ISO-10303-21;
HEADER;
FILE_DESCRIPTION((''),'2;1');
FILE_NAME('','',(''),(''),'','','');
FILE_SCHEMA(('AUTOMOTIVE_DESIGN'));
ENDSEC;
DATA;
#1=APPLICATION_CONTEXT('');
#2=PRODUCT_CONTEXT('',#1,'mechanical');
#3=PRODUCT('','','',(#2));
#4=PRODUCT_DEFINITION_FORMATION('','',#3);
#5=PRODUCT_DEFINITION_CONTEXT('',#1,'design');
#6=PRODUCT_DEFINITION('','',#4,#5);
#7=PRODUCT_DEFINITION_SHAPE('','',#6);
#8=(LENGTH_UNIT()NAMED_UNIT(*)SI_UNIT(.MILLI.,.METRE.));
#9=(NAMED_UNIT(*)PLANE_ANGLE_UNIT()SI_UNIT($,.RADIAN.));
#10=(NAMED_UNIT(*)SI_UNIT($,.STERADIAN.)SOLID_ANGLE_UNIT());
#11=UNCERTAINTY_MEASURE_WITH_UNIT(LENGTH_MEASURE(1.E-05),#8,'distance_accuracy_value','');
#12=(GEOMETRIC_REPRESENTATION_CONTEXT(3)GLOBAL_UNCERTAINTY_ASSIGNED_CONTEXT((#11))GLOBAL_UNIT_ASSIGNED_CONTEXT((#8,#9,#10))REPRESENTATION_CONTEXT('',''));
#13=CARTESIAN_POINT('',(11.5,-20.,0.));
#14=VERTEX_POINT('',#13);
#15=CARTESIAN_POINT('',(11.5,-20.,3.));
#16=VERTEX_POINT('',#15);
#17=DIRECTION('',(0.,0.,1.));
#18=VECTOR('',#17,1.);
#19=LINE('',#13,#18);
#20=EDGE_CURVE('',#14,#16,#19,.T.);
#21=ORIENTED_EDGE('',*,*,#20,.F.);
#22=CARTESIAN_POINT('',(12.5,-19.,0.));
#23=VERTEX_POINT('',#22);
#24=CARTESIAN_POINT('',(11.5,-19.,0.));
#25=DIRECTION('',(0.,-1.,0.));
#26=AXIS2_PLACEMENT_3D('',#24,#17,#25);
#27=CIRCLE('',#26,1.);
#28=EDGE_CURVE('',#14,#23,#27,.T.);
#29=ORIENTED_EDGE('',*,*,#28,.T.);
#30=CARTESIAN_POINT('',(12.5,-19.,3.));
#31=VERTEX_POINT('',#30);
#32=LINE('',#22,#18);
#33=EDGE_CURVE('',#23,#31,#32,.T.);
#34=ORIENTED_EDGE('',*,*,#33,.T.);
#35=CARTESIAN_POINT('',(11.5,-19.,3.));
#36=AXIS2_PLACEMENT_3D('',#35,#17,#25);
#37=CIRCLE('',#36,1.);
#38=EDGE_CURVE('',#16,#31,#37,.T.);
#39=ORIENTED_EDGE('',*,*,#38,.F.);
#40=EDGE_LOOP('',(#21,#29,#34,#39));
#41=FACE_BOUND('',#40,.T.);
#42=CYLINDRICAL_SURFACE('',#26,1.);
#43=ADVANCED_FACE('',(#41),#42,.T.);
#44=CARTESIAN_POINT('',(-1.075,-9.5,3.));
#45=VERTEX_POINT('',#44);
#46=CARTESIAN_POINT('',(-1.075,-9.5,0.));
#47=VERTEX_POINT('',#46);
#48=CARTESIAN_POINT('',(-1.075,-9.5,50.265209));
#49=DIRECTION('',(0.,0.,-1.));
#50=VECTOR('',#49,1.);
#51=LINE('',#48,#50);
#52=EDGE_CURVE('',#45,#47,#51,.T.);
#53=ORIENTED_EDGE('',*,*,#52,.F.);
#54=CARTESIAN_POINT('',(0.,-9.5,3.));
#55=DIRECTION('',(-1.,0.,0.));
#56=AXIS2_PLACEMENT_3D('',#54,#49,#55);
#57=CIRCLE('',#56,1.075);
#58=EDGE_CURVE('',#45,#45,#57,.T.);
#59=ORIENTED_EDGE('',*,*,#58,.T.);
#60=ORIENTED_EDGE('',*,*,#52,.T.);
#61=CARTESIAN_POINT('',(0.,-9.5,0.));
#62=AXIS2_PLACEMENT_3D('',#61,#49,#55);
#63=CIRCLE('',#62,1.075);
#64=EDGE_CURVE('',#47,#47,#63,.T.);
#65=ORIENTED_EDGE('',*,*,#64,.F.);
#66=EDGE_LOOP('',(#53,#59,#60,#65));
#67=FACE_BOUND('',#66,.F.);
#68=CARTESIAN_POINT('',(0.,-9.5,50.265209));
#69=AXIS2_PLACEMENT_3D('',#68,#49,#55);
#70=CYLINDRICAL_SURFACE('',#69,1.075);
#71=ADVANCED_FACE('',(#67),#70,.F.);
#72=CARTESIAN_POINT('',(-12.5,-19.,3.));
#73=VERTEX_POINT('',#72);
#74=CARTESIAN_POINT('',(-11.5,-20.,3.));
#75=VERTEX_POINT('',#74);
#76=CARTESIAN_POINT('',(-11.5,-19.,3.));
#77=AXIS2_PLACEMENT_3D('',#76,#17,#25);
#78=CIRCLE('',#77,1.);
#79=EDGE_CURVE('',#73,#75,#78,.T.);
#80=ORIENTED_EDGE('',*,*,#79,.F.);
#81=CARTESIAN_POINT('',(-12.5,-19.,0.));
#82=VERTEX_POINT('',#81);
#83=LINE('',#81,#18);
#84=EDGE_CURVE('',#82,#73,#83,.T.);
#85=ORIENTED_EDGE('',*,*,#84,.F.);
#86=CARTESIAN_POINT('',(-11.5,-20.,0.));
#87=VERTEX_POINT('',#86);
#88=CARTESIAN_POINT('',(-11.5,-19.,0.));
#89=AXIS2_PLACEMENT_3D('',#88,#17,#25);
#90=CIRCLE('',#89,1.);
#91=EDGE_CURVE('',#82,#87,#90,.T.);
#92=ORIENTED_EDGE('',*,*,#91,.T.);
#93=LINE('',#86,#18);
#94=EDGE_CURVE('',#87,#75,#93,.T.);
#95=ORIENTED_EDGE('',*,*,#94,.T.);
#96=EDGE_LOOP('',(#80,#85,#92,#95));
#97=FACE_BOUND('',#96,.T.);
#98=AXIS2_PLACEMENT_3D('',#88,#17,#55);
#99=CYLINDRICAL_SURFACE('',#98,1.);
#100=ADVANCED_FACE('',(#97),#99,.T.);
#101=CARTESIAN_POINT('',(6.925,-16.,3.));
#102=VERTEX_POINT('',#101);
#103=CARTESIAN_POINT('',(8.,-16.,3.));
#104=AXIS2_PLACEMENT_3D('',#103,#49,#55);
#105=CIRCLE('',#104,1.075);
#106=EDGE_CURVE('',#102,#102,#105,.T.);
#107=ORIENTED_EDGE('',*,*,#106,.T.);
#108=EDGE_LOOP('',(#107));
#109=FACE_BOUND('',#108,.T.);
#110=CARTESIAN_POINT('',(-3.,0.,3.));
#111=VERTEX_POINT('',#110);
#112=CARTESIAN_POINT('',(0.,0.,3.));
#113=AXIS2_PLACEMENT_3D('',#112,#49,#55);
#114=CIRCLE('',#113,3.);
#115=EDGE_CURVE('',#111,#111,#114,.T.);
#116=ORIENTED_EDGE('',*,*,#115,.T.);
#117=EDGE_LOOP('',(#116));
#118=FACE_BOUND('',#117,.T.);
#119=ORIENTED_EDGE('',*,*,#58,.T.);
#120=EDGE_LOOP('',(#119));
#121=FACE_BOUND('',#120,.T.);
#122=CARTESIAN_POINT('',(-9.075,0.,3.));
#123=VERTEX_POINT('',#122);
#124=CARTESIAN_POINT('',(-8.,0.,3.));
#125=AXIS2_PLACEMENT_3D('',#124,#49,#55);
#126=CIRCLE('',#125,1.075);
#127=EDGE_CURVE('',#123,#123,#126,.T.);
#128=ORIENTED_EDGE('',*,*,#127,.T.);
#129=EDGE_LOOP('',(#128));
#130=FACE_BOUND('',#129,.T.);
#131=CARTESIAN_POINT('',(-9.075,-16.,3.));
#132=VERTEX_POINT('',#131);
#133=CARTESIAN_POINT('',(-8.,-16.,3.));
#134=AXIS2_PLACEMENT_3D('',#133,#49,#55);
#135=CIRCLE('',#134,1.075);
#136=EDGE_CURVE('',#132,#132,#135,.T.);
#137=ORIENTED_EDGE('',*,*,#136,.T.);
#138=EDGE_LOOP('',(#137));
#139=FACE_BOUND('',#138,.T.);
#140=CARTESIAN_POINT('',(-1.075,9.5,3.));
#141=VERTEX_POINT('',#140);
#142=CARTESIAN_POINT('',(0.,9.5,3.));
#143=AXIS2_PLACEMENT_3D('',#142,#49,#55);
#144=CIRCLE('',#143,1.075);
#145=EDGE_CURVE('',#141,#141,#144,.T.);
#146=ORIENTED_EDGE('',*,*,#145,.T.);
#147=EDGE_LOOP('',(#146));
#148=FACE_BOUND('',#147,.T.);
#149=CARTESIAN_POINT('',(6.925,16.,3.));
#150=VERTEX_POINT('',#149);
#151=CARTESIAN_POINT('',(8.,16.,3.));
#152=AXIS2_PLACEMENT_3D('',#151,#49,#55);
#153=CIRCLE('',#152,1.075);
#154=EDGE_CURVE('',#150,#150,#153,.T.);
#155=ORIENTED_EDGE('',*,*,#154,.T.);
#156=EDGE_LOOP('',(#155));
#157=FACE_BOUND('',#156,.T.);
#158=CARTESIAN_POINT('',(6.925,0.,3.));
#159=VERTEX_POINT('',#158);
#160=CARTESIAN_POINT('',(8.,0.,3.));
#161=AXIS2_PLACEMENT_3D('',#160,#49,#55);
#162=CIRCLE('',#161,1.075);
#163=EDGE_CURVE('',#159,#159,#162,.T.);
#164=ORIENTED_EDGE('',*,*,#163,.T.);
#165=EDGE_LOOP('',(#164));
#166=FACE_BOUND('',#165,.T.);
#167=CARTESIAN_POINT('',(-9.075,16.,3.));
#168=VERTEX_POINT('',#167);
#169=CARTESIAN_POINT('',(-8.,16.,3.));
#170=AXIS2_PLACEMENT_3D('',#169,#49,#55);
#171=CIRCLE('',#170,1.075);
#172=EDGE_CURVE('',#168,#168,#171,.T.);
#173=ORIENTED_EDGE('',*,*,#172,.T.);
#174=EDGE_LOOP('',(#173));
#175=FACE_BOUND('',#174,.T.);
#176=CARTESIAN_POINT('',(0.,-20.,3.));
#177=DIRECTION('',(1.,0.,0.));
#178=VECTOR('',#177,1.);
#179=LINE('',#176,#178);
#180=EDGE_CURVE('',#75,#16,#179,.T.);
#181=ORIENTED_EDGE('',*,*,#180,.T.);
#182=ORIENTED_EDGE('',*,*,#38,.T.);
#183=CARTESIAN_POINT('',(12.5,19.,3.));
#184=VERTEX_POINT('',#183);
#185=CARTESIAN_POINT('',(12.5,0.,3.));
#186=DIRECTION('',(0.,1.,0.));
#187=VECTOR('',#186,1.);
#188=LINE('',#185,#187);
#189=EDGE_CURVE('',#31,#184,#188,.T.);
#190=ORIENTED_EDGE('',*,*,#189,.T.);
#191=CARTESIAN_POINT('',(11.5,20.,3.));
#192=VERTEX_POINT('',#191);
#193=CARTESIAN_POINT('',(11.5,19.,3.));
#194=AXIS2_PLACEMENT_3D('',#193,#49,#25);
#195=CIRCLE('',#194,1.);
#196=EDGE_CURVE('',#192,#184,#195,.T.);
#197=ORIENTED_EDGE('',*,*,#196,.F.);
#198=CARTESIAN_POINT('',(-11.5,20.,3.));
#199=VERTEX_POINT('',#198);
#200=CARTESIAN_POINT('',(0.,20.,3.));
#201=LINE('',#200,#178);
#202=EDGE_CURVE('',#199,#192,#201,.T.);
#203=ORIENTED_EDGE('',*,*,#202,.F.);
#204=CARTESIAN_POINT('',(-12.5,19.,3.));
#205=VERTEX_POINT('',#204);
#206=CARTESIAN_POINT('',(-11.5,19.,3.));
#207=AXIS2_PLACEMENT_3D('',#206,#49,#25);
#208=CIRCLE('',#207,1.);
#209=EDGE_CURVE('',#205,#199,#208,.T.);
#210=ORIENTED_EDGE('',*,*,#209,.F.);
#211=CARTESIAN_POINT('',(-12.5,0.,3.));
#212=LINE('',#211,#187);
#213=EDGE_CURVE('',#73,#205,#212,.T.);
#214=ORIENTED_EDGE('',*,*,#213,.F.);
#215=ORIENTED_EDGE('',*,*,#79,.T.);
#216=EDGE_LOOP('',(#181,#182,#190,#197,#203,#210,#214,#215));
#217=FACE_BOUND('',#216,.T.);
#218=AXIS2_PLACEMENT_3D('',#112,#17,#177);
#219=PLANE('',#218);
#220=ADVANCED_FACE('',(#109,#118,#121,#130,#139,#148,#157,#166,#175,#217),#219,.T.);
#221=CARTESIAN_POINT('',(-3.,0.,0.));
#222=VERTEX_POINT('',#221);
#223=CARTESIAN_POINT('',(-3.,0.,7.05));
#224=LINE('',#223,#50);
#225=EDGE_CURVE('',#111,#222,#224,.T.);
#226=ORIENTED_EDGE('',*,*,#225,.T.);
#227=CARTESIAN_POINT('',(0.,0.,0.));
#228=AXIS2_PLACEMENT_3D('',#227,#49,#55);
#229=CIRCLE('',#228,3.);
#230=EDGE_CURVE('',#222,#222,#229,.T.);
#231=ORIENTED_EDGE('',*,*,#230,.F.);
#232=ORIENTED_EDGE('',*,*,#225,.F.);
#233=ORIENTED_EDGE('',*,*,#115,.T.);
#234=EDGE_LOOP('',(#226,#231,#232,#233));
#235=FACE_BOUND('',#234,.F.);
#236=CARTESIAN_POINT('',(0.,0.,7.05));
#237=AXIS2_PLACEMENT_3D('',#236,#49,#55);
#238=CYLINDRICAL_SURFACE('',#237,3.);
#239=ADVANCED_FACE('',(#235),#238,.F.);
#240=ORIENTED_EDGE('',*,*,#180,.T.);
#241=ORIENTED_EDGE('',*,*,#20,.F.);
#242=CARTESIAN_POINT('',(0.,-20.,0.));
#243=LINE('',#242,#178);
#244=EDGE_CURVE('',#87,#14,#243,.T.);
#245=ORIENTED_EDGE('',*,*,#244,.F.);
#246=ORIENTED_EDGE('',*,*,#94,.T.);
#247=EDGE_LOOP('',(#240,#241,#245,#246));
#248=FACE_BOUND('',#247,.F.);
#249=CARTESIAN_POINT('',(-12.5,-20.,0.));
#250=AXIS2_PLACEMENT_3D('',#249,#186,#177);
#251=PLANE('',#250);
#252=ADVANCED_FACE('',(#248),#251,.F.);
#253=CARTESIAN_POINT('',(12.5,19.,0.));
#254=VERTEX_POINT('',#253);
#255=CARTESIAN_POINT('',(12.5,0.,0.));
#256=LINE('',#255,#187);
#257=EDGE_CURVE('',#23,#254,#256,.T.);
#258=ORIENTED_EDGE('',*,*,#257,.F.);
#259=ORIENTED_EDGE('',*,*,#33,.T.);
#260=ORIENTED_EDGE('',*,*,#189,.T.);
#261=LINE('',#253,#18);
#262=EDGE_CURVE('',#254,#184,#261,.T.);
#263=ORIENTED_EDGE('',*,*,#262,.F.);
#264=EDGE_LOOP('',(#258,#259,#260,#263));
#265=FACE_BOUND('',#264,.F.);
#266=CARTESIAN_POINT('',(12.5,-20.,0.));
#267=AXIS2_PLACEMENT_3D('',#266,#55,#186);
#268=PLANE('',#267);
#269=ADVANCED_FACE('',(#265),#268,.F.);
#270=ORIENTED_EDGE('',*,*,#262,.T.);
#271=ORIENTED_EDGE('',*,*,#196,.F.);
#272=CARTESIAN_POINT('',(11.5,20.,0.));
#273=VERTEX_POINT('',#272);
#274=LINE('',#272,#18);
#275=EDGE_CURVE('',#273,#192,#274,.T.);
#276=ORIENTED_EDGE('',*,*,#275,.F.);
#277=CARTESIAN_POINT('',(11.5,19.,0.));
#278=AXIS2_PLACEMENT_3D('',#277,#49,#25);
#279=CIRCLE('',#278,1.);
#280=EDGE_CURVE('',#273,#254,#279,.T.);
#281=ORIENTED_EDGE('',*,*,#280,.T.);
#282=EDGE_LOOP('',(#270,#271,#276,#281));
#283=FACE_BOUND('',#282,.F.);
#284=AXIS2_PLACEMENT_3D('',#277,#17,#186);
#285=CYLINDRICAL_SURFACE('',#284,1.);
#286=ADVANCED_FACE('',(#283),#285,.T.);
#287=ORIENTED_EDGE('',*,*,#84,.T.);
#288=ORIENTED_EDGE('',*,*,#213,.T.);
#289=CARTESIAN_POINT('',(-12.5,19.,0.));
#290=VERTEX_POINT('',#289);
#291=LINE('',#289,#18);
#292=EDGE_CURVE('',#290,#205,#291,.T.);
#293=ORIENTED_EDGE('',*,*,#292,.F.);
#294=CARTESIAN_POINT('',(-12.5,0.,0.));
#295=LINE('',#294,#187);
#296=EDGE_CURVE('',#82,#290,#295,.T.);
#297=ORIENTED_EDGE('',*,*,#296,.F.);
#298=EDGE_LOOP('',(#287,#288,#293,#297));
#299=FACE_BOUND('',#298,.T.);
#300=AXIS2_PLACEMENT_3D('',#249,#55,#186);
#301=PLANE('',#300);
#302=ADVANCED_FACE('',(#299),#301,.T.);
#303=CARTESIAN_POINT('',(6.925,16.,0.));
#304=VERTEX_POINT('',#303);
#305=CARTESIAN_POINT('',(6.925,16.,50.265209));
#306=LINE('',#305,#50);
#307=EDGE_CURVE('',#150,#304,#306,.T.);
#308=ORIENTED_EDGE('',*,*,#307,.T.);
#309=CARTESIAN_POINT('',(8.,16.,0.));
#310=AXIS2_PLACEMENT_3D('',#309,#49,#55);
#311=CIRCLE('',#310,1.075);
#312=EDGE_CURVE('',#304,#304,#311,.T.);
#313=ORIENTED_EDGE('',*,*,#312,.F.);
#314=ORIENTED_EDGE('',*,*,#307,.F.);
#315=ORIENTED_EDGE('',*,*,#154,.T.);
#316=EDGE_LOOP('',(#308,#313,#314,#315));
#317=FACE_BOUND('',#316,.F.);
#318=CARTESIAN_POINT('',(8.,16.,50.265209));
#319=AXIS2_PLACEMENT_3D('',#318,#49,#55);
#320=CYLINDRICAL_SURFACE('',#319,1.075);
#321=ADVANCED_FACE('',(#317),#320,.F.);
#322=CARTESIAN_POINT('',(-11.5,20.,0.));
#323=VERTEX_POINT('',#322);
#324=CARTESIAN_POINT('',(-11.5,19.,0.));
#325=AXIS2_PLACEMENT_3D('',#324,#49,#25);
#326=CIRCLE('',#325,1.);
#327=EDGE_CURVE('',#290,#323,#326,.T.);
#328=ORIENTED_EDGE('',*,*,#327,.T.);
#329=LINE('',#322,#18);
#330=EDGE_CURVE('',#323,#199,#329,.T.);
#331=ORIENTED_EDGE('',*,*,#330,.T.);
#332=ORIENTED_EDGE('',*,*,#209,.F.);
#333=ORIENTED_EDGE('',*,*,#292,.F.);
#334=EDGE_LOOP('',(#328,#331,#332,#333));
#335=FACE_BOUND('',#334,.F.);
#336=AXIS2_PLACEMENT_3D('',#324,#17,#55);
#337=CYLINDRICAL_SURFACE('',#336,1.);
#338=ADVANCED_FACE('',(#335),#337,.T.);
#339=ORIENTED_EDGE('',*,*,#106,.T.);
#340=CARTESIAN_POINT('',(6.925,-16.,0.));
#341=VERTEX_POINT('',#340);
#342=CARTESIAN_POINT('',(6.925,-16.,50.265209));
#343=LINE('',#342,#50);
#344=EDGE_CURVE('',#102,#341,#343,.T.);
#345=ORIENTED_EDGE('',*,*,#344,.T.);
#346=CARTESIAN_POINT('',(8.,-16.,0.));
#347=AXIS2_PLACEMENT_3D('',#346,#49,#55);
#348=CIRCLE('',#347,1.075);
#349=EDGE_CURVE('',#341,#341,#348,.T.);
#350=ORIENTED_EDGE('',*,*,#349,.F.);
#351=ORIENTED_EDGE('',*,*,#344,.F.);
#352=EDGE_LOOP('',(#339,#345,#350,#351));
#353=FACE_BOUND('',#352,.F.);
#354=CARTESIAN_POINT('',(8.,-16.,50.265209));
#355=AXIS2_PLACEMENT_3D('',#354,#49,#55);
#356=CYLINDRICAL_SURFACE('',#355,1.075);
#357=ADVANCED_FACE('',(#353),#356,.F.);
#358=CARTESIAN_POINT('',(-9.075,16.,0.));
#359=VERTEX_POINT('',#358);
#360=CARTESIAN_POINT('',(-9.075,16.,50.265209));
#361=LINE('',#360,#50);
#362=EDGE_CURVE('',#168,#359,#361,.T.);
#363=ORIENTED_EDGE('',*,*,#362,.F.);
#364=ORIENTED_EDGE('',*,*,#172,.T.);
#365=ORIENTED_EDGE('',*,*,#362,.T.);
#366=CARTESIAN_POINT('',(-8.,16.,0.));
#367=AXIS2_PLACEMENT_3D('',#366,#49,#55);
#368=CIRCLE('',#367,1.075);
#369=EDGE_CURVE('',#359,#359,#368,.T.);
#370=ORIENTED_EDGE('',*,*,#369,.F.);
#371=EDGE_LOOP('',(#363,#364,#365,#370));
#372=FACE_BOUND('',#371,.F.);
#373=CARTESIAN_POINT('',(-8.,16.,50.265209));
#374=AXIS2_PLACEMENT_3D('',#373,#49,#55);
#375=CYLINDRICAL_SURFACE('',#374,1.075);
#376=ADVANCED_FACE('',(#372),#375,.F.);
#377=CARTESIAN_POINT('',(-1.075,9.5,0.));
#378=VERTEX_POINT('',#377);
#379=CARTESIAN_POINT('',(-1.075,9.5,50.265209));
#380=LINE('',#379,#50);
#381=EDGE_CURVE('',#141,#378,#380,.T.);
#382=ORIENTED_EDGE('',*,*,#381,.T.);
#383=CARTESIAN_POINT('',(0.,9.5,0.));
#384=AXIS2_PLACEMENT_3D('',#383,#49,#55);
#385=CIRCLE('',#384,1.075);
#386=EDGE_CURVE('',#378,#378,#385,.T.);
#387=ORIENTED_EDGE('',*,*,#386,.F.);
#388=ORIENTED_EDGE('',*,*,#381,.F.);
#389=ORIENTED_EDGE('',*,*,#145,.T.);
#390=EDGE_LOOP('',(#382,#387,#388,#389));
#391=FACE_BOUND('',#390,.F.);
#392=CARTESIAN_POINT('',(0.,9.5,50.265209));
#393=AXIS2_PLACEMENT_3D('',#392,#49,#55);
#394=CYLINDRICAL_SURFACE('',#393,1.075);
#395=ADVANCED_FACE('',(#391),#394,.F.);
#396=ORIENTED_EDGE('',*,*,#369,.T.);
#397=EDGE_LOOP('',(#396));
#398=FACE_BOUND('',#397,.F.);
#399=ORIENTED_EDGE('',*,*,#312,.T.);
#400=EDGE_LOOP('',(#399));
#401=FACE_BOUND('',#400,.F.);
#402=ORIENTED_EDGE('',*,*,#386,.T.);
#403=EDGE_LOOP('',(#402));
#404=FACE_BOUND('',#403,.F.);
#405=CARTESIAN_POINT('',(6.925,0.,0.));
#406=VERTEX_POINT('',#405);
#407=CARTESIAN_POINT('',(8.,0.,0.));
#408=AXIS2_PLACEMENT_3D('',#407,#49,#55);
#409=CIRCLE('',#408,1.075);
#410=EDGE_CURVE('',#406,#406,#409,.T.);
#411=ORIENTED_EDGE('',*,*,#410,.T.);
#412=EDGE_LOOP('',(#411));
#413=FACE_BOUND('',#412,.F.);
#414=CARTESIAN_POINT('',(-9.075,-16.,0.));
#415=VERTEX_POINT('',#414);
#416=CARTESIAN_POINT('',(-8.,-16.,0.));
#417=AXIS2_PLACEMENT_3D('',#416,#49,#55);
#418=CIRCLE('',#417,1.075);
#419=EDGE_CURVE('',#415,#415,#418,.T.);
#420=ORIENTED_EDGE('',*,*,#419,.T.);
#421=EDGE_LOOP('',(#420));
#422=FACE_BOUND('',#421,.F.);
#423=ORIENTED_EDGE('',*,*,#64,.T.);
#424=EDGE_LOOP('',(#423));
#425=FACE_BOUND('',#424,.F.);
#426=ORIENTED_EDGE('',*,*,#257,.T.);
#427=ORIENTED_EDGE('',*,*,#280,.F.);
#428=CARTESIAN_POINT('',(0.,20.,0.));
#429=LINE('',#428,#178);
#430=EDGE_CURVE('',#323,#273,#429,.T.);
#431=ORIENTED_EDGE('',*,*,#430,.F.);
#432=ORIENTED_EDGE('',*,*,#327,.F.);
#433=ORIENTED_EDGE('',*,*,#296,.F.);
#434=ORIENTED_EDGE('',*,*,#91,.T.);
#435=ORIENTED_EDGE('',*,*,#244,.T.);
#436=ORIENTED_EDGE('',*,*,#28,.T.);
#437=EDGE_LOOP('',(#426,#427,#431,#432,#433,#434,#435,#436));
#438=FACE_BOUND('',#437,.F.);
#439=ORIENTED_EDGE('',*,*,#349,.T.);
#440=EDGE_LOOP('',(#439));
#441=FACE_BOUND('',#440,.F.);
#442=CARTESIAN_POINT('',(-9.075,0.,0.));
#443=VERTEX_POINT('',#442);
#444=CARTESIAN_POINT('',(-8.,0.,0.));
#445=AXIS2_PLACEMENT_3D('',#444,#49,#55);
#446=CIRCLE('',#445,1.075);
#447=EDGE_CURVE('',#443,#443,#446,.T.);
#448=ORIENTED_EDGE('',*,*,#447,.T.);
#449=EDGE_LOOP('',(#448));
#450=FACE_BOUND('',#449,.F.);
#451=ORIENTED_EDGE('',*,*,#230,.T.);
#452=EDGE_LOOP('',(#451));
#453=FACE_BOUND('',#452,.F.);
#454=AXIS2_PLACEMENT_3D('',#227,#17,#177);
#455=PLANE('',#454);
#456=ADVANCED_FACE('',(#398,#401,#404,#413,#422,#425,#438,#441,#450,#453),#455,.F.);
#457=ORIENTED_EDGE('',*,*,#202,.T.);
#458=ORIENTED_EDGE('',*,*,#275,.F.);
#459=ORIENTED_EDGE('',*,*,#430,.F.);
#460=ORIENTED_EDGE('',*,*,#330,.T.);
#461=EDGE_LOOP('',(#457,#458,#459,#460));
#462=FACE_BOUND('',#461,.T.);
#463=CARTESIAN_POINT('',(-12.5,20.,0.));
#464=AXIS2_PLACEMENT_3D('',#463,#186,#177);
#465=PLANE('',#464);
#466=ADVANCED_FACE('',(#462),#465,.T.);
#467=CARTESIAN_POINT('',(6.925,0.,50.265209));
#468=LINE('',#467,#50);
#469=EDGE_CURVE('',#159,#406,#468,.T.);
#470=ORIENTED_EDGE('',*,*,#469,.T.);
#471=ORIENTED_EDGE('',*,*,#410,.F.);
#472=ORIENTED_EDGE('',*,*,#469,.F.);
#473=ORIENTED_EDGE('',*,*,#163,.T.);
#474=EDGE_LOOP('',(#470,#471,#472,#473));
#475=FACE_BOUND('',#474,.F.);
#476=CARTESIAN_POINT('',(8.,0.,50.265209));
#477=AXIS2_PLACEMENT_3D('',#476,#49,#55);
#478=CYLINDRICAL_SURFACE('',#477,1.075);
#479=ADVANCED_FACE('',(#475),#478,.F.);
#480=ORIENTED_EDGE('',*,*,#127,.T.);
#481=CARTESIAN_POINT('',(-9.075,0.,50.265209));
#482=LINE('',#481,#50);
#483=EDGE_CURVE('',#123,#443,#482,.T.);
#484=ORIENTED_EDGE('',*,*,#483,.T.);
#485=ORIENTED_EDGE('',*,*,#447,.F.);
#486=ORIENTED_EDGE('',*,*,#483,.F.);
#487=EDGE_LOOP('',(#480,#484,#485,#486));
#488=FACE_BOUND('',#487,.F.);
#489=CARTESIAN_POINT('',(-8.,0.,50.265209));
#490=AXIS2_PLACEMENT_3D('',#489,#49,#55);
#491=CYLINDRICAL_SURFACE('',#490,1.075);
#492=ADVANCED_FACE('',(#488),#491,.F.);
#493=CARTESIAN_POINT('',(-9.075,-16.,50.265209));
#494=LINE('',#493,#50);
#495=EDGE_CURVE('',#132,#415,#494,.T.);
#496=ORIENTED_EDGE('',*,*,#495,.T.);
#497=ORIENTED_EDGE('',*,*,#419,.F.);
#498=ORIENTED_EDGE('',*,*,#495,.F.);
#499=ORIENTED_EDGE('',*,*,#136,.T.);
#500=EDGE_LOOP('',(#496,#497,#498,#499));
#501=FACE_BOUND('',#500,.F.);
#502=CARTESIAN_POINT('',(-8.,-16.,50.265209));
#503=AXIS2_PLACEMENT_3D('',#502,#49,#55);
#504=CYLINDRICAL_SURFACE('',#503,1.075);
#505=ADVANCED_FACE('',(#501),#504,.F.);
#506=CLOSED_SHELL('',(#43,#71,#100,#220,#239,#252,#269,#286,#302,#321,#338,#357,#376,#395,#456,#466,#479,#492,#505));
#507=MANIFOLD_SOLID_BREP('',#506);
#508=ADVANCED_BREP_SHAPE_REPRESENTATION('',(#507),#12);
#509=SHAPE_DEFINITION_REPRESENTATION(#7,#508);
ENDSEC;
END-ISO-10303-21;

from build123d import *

# Parameters (mm, degrees)
F0_W     = 25
F0_H     = 40
F1_DEPTH = 3
F3_D     = 2.15
F4_R     = 1
F6_D     = 6
F6_DEPTH = 4.05
F6_TIP   = 1.8025818571


with BuildPart() as f1:
    # F0 (on Top) → F1 (new body)
    with BuildSketch(Plane.XY):
        Rectangle(F0_W, F0_H)
    extrude(amount=F1_DEPTH)

    # F3 (through all)
    with Locations(Plane.XY.offset(3)):
        with Locations((0, 9.5), (0, -9.5), (8, 0), (-8, 0), (8, 16), (-8, 16), (-8, -16), (8, -16)):
            Hole(F3_D / 2)

    # F4
    f4_edges = [f1.edges().sort_by_distance(p)[0] for p in [
        (12.5, -20, 1.5),
        (-12.5, -20, 1.5),
        (12.5, 20, 1.5),
        (-12.5, 20, 1.5),
    ]]
    fillet(f4_edges, radius=F4_R)

    # F6
    with Locations(Plane.XY.offset(3)):
        with Locations((0, 0)):
            Hole(F6_D / 2, depth=F6_DEPTH)
            with Locations((0, 0, -(F6_DEPTH + F6_TIP / 2))):  # 118° drill point
                Cone(0, F6_D / 2, F6_TIP, mode=Mode.SUBTRACT)


solid = f1.part
